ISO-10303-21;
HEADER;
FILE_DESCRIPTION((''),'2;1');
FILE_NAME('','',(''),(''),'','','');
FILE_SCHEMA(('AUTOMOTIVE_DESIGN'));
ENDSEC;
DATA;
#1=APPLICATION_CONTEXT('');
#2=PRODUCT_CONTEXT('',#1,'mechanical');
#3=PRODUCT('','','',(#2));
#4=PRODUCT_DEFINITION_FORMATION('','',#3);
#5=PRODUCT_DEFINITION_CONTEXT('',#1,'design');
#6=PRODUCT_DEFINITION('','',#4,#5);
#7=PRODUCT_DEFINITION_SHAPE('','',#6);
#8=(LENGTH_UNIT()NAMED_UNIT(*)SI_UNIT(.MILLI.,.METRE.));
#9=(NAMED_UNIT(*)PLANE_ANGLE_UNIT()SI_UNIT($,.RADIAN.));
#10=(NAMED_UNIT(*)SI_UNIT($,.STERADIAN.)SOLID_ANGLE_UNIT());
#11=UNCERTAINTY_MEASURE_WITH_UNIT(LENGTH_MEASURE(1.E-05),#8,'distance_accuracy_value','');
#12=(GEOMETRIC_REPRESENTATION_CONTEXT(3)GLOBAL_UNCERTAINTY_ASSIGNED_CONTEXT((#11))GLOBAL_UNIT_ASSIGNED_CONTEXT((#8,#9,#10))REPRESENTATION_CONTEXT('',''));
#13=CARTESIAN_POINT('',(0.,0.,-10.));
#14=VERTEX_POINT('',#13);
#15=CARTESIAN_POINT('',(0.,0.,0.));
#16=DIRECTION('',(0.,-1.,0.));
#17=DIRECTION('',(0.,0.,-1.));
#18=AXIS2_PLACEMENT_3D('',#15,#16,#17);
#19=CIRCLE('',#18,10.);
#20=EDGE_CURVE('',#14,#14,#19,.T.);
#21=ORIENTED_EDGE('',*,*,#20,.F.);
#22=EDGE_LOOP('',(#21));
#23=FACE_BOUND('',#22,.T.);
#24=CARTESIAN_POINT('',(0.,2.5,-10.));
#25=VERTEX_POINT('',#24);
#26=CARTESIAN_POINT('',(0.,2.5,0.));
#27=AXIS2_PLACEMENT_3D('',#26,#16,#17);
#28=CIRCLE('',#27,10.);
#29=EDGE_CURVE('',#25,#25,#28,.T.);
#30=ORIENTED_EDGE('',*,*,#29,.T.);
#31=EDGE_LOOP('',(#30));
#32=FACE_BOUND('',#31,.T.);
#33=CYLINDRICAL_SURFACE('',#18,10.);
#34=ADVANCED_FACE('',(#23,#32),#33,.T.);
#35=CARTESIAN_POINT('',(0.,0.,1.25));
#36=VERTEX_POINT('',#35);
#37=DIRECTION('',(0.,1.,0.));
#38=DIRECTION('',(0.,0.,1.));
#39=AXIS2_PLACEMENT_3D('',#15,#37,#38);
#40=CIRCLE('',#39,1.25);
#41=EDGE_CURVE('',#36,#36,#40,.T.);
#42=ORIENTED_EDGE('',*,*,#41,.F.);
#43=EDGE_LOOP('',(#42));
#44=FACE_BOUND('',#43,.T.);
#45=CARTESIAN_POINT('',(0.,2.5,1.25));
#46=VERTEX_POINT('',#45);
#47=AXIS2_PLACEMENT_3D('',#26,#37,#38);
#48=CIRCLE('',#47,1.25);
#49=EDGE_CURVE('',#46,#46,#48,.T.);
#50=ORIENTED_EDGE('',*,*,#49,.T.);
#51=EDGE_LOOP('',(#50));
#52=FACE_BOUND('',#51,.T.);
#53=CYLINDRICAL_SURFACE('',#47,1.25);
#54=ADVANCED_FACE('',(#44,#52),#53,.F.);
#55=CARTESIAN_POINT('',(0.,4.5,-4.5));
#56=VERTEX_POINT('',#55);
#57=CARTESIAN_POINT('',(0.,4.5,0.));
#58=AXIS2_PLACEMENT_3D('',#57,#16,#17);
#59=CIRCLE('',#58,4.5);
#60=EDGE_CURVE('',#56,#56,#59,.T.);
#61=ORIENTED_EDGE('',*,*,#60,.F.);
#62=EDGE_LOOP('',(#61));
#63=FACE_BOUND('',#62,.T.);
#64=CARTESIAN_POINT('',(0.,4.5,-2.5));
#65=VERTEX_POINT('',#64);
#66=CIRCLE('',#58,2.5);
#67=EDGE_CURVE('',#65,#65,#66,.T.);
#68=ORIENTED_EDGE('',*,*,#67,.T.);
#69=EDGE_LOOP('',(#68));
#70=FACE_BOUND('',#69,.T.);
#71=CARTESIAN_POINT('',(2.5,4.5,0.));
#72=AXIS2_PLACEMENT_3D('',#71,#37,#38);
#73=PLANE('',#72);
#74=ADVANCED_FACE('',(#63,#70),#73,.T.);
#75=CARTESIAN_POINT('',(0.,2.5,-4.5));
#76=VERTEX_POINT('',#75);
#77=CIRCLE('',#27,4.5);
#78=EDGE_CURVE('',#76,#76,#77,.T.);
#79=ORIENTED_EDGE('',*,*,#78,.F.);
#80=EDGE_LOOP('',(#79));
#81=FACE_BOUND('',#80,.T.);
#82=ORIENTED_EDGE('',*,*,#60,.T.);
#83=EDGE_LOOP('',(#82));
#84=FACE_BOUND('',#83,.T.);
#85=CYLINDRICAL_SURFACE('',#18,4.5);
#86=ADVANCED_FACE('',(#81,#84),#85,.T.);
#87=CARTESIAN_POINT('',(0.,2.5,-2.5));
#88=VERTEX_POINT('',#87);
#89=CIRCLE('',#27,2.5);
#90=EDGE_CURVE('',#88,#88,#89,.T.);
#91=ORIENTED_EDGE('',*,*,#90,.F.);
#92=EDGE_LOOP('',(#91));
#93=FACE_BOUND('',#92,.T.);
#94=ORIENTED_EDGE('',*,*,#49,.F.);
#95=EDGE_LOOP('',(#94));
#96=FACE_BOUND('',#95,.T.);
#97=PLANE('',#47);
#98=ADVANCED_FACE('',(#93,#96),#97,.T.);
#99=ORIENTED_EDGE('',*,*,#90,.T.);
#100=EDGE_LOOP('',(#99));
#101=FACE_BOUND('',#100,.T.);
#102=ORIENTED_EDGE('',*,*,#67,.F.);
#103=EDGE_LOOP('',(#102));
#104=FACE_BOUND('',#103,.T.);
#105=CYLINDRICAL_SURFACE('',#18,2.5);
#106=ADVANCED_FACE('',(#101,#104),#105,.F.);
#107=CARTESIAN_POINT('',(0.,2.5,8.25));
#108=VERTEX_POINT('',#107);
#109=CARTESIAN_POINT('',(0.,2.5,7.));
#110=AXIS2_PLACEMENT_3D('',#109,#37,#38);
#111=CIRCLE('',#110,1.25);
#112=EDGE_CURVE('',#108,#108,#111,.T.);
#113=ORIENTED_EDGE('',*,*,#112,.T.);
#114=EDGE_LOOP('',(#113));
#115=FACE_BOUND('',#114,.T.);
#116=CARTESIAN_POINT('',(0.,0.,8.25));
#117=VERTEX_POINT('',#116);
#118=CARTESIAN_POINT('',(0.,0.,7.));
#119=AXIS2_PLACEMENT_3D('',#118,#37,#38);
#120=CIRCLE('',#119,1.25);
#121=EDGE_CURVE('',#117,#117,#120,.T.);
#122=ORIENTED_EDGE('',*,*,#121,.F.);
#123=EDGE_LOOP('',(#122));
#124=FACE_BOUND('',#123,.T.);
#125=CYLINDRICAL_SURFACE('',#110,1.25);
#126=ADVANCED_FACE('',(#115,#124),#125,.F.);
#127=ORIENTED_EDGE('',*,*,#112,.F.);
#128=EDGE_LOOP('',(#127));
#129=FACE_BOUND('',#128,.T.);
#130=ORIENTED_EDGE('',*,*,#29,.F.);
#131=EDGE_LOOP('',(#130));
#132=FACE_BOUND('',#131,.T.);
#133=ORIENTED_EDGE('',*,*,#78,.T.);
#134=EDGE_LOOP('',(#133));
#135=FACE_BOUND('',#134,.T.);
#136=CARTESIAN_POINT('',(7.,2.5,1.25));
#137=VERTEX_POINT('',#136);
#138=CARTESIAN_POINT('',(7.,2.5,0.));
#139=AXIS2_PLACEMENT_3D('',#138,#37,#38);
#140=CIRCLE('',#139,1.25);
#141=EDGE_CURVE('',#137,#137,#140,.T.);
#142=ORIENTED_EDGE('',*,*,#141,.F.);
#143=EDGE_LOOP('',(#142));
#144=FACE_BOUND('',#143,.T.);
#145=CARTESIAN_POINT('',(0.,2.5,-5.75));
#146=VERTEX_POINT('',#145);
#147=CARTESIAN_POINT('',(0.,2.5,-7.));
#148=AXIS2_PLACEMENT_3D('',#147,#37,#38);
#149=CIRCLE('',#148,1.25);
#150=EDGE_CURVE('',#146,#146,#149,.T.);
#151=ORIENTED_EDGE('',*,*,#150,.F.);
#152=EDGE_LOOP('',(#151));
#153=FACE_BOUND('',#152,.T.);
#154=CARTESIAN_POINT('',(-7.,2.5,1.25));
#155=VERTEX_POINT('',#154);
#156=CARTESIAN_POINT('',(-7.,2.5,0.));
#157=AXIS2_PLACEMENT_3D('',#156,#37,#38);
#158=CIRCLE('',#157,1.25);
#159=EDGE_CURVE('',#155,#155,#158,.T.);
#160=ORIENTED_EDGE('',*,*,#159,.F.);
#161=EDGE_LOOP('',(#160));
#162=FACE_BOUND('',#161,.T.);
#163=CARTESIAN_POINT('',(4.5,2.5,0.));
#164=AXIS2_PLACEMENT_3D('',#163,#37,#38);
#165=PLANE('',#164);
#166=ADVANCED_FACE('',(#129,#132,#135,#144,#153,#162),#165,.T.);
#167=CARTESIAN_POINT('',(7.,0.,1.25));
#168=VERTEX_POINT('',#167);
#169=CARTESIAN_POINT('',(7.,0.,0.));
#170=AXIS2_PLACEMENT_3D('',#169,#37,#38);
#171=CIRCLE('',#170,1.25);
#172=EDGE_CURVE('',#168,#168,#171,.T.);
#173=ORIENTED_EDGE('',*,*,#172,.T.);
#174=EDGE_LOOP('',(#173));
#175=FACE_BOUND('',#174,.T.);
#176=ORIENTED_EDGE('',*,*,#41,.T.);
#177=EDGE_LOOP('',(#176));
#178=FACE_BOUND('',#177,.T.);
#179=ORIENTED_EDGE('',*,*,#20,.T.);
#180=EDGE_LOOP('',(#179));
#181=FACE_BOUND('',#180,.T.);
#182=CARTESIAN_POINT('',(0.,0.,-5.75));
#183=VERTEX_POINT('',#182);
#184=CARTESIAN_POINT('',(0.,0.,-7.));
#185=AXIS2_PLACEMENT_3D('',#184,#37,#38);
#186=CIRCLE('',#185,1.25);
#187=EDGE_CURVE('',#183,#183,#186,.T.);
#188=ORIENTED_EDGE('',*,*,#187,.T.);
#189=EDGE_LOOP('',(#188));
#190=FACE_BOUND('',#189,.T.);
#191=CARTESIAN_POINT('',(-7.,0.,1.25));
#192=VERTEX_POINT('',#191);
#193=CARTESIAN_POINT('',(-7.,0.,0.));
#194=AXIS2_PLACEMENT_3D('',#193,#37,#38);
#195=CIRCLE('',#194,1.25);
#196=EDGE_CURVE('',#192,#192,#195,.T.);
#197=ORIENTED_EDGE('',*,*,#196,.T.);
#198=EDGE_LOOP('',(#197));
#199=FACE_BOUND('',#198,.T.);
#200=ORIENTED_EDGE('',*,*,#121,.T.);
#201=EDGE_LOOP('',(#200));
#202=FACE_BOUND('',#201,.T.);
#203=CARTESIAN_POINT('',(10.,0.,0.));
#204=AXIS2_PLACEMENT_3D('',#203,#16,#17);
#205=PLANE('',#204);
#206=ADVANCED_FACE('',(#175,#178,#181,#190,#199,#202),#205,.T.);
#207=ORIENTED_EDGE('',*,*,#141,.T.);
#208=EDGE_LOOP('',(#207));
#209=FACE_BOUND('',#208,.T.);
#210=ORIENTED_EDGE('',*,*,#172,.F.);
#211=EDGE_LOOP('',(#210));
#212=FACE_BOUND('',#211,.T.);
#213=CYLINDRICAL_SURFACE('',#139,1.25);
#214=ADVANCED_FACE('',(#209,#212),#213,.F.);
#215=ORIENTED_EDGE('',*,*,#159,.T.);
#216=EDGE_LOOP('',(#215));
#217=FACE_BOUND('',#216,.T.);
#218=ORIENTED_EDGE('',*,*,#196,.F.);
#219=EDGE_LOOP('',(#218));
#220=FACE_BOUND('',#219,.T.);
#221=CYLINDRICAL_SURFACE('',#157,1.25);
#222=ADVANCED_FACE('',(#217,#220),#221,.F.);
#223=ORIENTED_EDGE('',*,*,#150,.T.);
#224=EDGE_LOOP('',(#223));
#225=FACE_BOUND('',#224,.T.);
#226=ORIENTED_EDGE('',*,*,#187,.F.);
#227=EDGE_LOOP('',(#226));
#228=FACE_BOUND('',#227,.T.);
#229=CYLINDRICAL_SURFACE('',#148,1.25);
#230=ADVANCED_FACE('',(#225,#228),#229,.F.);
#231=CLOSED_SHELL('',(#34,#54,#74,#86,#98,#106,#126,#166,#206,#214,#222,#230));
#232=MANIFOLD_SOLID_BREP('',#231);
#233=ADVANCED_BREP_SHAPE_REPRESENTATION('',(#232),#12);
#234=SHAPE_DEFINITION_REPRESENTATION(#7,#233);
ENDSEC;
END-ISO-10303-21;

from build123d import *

# Parameters (mm, degrees)
TAP_DRILL_FOR_M3X0_5_TAP1_D = 2.5


with BuildPart() as part:
    # Sketch2 → Revolve1 (revolve)
    with BuildSketch(Plane.XY):
        Polygon((0, 2.5), (2.5, 2.5), (2.5, 4.5), (4.5, 4.5), (4.5, 2.5), (10, 2.5), (10, 0), (0, 0), align=None)
    revolve(axis=Axis((0, 0, 0), (0, 1, 0)))

    # Tap Drill for M3x0.5 Tap1 (through all)
    with Locations(Plane(origin=(0, 2.5, 0), x_dir=(1, 0, 0), z_dir=(0, 1, 0))):
        with Locations((0, 7), (0, -7), (-7, 0), (7, 0), (0, 0)):
            Hole(TAP_DRILL_FOR_M3X0_5_TAP1_D / 2)


solid = part.part
